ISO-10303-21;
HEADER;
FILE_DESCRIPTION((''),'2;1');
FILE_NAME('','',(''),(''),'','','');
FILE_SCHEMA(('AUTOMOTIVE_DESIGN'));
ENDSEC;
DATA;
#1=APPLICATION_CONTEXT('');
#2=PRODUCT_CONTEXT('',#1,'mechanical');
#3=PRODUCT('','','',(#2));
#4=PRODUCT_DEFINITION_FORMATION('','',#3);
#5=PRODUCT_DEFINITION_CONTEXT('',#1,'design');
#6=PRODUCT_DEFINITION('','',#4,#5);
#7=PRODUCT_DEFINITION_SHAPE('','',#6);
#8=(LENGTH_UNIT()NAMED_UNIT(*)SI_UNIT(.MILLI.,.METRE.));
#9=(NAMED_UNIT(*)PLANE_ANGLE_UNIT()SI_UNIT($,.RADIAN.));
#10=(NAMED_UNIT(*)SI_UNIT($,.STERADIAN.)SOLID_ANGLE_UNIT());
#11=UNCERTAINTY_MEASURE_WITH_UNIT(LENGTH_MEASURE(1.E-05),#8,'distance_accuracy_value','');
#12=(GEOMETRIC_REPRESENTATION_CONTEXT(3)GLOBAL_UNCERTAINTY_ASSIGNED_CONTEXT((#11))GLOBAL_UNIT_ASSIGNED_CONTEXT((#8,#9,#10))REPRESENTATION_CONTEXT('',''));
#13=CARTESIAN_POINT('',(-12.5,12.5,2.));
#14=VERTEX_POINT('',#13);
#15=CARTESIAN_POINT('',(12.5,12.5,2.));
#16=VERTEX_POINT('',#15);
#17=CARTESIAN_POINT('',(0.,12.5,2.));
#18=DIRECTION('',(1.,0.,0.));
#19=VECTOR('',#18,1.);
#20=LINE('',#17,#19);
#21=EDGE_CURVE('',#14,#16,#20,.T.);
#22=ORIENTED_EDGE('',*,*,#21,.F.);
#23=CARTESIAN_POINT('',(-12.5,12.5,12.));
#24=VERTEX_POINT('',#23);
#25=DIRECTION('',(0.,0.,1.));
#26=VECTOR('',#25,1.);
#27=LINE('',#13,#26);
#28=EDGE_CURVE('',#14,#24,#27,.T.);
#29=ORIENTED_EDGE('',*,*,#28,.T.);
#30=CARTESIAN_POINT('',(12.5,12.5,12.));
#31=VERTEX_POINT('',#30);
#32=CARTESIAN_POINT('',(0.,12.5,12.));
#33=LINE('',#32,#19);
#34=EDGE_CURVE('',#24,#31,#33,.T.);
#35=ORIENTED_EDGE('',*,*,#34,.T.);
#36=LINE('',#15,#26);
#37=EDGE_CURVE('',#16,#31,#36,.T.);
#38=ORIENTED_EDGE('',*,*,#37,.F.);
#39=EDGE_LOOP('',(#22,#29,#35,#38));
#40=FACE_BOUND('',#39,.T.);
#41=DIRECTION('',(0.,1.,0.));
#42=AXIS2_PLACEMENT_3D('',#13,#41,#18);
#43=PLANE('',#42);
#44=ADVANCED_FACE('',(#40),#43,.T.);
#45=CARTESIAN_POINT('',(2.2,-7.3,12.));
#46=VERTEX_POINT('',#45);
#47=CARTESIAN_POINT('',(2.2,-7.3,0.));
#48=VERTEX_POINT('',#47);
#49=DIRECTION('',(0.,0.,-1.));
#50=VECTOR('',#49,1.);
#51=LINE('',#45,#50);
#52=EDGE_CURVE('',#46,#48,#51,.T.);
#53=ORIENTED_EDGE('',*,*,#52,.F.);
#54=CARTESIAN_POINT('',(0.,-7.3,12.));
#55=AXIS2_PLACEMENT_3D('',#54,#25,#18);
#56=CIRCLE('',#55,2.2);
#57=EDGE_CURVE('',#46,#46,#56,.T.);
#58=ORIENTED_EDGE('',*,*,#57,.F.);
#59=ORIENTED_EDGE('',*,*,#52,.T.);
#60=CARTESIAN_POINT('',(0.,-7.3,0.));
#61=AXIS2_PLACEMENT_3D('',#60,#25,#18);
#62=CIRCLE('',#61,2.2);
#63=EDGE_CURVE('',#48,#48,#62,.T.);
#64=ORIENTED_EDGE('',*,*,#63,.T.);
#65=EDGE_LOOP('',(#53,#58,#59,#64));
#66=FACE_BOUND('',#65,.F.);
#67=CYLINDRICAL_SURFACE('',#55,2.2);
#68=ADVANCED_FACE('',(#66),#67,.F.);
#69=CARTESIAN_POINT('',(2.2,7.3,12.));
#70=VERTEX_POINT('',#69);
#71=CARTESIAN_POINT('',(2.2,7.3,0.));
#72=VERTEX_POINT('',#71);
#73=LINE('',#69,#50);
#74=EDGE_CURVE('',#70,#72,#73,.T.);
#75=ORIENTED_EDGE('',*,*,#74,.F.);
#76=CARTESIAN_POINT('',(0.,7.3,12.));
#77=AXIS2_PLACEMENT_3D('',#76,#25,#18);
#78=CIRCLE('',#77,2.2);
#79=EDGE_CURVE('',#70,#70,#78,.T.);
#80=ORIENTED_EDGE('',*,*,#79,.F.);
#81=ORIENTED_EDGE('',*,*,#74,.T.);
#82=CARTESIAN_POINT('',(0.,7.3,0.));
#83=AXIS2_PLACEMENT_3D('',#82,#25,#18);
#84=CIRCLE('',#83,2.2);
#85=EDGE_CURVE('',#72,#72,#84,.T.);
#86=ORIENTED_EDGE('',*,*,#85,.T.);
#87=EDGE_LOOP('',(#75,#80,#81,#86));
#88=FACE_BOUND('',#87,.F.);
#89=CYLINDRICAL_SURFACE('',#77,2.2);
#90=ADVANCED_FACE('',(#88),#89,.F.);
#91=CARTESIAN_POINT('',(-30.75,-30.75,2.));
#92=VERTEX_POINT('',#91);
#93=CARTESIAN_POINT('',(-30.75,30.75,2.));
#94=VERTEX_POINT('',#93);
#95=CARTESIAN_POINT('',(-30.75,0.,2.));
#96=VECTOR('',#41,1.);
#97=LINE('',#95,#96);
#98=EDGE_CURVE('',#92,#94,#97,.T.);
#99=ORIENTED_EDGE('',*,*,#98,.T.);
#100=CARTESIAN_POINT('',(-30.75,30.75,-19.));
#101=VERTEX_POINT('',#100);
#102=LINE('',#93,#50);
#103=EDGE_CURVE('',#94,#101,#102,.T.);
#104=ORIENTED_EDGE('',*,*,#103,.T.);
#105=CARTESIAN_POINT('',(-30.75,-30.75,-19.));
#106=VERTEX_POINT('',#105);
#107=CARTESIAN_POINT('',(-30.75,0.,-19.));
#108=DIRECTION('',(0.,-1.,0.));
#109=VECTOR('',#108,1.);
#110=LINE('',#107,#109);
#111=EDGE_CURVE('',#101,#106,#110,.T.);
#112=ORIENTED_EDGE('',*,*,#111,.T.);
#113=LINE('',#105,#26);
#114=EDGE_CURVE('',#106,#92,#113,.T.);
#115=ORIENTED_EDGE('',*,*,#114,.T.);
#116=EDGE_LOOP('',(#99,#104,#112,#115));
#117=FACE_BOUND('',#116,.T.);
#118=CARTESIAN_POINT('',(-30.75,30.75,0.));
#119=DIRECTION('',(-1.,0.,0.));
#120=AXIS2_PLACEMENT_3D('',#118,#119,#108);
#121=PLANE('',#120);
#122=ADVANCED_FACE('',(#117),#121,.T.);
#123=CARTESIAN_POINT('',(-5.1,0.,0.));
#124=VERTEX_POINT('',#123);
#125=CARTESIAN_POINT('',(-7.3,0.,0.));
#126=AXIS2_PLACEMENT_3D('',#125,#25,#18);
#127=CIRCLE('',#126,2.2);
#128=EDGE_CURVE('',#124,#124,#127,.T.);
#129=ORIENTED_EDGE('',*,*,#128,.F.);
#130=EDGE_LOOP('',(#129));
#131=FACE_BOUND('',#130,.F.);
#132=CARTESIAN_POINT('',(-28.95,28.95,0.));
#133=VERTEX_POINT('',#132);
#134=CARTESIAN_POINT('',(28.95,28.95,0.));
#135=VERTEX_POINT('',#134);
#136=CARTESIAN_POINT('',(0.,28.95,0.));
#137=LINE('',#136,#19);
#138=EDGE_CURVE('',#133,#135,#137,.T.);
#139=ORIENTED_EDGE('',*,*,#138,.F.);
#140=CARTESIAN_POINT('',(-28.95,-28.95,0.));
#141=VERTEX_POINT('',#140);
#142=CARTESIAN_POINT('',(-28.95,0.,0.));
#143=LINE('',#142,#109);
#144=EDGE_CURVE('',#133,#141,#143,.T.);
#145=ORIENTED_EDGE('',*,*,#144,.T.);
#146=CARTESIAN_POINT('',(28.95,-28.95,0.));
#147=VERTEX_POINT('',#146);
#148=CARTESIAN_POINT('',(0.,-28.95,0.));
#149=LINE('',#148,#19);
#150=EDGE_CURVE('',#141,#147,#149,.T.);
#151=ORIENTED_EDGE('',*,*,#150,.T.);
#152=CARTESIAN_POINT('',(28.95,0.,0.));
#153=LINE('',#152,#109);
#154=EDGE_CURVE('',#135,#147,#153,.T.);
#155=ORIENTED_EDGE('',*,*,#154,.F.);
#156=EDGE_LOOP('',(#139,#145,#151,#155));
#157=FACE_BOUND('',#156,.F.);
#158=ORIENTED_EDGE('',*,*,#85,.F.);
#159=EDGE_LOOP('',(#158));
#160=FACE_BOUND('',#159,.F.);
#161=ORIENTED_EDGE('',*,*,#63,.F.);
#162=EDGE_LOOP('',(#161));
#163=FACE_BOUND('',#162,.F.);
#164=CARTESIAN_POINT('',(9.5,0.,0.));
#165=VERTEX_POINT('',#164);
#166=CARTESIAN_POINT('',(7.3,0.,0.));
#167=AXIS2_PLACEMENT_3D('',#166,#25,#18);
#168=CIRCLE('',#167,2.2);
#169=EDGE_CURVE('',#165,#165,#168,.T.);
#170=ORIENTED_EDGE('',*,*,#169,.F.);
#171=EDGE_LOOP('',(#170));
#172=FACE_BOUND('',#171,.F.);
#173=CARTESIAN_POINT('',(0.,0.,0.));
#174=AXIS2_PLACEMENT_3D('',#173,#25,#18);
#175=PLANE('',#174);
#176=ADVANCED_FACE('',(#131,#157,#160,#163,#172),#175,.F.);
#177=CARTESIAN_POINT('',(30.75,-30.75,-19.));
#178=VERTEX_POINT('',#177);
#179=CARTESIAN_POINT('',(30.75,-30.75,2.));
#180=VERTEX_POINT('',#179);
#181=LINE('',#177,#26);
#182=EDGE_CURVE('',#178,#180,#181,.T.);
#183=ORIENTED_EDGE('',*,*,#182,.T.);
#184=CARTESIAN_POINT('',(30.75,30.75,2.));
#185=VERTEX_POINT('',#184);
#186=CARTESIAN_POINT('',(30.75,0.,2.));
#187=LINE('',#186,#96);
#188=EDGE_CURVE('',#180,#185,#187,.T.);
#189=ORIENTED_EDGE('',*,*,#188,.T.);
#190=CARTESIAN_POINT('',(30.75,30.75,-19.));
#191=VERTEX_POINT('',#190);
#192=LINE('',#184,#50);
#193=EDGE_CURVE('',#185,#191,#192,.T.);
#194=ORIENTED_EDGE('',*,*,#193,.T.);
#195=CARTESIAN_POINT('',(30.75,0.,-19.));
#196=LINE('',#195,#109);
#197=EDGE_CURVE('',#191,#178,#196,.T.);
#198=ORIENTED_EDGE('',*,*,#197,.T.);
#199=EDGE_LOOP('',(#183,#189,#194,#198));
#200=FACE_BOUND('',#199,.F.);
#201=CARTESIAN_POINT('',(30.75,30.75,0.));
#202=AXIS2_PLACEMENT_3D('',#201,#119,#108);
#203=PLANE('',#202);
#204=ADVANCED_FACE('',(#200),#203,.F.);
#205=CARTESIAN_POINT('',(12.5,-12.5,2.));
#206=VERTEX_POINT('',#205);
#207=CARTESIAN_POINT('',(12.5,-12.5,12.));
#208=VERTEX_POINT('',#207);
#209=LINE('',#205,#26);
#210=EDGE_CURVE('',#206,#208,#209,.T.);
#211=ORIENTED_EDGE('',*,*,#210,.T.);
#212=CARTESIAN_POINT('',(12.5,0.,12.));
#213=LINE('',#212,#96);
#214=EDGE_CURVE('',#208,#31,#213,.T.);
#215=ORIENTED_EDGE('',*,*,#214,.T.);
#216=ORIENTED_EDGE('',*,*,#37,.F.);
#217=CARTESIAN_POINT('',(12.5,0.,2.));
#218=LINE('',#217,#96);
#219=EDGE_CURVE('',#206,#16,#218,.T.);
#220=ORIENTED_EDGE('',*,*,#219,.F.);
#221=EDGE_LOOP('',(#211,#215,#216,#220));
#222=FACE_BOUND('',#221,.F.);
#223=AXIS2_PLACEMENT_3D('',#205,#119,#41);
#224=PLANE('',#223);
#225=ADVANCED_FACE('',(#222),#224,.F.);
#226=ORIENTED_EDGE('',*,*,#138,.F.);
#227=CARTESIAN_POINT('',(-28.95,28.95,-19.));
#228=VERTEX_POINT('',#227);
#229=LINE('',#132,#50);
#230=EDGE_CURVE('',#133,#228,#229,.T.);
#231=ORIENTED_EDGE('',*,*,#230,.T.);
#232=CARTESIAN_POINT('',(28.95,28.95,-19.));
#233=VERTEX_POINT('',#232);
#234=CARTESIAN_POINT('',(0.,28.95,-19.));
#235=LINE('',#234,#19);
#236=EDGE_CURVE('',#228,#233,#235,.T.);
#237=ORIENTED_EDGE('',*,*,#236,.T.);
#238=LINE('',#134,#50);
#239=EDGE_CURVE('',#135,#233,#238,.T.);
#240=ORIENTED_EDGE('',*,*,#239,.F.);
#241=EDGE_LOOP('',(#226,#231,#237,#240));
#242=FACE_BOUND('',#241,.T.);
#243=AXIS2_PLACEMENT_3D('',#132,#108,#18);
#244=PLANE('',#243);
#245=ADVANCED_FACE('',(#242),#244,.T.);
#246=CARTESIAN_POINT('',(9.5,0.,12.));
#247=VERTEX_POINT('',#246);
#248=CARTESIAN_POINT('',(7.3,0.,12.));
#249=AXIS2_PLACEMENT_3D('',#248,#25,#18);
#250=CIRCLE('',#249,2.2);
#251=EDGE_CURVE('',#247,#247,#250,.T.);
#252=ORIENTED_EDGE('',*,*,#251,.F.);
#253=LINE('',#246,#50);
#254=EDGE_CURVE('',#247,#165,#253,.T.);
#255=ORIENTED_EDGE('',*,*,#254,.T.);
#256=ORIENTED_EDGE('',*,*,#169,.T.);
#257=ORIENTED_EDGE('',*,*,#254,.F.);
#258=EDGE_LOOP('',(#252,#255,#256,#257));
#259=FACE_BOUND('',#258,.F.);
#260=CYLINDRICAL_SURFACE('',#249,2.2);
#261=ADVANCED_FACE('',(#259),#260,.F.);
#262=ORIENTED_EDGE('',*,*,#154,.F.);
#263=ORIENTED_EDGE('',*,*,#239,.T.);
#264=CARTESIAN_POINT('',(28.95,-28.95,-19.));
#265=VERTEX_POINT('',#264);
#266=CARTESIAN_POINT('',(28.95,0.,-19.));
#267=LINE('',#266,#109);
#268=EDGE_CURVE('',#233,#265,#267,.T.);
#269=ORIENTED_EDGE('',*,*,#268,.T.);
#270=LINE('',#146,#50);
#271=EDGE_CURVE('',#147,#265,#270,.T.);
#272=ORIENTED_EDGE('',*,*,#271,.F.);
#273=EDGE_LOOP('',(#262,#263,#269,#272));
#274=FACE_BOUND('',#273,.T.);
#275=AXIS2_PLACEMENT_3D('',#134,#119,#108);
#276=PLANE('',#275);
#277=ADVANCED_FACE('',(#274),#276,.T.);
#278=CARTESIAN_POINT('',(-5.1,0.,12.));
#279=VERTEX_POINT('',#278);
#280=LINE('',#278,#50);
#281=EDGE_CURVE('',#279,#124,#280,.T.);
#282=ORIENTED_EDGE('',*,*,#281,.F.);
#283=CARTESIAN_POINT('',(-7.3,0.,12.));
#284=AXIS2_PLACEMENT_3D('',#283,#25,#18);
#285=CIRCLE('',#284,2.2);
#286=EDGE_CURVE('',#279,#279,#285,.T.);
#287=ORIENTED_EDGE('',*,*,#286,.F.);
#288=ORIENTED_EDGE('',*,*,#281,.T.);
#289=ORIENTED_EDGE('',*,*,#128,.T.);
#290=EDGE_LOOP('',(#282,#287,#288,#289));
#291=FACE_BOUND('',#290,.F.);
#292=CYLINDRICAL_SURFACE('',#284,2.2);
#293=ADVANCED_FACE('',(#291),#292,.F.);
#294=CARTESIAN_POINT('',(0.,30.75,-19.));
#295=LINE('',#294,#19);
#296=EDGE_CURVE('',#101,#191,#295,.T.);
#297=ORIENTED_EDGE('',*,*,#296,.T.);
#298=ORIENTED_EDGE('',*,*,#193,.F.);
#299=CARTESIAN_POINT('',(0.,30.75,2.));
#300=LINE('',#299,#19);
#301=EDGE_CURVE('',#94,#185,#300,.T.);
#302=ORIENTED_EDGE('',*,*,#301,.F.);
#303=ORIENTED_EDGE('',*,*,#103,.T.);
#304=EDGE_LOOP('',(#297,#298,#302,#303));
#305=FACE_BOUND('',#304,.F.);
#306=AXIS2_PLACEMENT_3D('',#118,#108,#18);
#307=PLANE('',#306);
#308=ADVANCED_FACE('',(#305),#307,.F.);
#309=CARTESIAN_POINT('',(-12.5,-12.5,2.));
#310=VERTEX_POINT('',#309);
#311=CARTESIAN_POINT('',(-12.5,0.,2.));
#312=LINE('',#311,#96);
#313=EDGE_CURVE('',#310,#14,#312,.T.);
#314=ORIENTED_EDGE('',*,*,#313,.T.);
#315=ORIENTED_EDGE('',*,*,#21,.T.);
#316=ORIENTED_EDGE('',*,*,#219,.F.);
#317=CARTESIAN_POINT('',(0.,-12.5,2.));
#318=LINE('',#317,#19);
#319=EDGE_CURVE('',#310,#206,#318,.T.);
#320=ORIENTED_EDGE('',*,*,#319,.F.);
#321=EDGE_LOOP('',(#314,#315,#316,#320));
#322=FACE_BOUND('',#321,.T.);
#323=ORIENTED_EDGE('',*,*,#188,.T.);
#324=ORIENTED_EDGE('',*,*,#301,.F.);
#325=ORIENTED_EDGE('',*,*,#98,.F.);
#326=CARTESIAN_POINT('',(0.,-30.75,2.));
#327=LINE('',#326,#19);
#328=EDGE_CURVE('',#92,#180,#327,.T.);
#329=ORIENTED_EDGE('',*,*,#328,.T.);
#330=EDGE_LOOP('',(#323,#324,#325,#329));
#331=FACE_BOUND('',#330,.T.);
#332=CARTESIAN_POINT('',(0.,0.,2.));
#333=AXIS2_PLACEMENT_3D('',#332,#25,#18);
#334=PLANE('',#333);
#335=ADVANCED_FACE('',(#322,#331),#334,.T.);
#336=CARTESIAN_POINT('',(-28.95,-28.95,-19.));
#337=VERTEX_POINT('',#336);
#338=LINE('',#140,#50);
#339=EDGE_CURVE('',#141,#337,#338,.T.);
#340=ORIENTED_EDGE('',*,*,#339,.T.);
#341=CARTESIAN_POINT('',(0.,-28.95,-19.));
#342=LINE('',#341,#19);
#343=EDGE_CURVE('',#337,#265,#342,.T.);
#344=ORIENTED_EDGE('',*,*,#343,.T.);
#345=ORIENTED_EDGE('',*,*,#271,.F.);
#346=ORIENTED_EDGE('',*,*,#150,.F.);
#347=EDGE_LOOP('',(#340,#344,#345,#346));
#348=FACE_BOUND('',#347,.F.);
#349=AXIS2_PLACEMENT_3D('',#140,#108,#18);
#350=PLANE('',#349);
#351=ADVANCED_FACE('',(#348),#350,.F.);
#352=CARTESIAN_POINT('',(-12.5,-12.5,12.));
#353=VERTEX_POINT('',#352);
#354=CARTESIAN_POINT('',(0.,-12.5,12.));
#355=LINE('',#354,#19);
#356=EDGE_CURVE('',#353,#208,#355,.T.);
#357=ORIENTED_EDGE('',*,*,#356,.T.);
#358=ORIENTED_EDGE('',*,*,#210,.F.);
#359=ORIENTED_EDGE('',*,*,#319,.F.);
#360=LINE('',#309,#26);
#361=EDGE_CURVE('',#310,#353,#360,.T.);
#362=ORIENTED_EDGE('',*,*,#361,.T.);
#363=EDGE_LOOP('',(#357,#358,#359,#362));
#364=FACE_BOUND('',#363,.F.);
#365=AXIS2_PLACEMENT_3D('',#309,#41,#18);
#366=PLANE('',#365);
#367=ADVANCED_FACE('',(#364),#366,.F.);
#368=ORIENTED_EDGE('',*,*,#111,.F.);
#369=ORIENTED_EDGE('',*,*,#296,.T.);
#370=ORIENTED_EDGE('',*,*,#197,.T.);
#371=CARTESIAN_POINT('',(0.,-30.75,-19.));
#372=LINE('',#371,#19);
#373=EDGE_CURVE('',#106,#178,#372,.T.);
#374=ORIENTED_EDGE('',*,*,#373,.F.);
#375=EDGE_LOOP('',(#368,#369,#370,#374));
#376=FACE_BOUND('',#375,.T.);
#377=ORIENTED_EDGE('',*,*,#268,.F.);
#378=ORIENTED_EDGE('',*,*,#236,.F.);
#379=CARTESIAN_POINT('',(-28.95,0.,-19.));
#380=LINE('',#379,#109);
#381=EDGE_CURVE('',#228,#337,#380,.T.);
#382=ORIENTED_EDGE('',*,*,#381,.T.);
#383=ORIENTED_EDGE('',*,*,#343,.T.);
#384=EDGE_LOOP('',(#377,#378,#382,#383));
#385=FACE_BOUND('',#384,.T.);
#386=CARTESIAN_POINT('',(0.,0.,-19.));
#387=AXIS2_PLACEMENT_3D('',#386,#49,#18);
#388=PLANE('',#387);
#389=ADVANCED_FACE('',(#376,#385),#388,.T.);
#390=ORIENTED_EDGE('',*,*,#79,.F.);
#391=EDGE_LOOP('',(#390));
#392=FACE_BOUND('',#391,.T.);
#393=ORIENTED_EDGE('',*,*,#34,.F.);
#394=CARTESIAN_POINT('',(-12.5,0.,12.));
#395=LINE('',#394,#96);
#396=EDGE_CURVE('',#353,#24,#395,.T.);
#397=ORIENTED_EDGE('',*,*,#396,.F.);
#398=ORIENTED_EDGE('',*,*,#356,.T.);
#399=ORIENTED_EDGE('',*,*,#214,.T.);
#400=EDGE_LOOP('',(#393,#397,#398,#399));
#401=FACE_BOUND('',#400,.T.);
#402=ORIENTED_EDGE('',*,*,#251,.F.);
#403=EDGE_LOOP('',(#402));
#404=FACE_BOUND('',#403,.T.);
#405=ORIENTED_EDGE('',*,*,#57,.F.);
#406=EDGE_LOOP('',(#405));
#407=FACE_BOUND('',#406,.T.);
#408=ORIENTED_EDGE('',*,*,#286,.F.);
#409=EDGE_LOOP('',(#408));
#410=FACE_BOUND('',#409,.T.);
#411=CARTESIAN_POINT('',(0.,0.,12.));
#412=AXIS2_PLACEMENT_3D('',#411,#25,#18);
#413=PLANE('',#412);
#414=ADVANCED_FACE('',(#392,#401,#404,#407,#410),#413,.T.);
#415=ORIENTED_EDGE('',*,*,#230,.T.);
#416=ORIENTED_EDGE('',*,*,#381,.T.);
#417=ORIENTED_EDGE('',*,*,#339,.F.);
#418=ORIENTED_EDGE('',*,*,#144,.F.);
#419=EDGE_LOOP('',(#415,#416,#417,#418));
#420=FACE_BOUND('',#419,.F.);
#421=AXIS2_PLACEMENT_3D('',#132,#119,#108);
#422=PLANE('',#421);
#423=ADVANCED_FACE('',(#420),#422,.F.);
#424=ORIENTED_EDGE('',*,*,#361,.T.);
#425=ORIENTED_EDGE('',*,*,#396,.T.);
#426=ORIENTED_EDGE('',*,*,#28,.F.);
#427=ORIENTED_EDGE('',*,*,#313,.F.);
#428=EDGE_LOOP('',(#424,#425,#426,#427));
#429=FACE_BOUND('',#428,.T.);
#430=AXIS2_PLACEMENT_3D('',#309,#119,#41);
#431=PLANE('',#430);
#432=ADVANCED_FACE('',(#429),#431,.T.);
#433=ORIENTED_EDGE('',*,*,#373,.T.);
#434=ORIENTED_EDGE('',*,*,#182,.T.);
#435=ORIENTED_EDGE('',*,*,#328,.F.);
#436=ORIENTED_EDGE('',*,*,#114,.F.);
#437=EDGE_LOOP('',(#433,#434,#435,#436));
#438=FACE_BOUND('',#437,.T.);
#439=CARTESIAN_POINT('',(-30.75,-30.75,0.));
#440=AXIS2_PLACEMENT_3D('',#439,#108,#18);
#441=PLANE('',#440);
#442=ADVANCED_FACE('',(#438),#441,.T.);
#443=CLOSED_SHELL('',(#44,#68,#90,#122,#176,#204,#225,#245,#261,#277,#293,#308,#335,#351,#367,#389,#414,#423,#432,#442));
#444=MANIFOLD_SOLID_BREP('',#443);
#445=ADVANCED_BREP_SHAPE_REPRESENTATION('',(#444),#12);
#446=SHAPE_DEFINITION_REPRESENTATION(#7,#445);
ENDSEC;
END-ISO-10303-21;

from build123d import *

# Parameters (mm, degrees)
SKETCH_W      = 61.5
SKETCH_H      = 61.5
PAD_DEPTH     = 2
SKETCH001_W   = 61.5
SKETCH001_H   = 61.5
SKETCH001_W_2 = 57.9
SKETCH001_H_2 = 57.9
PAD001_DEPTH  = 19
SKETCH002_W   = 25
SKETCH002_H   = 25
PAD002_DEPTH  = 10
SKETCH003_R   = 2.2
POCKET_DEPTH  = 31.001


with BuildPart() as part:
    # Sketch → Pad (new body)
    with BuildSketch(Plane.XY):
        Rectangle(SKETCH_W, SKETCH_H)
    extrude(amount=PAD_DEPTH)

    # Sketch001 → Pad001 (new body)
    with BuildSketch(Plane(origin=(0, 0, 0), x_dir=(1, 0, 0), z_dir=(0, 0, -1))):
        Rectangle(SKETCH001_W, SKETCH001_H)
        Rectangle(SKETCH001_W_2, SKETCH001_H_2, mode=Mode.SUBTRACT)
    extrude(amount=PAD001_DEPTH)

    # Sketch002 → Pad002 (new body)
    with BuildSketch(Plane.XY.offset(2)):
        Rectangle(SKETCH002_W, SKETCH002_H)
    extrude(amount=PAD002_DEPTH)

    # Sketch003 → Pocket (cut, through all)
    with BuildSketch(Plane.XY.offset(12)):
        with Locations((-7.3, 0)):
            Circle(SKETCH003_R)
        with Locations((7.3, 0)):
            Circle(SKETCH003_R)
        with Locations((0, 7.3)):
            Circle(SKETCH003_R)
        with Locations((0, -7.3)):
            Circle(SKETCH003_R)
    extrude(amount=-POCKET_DEPTH, mode=Mode.SUBTRACT)


solid = part.part
